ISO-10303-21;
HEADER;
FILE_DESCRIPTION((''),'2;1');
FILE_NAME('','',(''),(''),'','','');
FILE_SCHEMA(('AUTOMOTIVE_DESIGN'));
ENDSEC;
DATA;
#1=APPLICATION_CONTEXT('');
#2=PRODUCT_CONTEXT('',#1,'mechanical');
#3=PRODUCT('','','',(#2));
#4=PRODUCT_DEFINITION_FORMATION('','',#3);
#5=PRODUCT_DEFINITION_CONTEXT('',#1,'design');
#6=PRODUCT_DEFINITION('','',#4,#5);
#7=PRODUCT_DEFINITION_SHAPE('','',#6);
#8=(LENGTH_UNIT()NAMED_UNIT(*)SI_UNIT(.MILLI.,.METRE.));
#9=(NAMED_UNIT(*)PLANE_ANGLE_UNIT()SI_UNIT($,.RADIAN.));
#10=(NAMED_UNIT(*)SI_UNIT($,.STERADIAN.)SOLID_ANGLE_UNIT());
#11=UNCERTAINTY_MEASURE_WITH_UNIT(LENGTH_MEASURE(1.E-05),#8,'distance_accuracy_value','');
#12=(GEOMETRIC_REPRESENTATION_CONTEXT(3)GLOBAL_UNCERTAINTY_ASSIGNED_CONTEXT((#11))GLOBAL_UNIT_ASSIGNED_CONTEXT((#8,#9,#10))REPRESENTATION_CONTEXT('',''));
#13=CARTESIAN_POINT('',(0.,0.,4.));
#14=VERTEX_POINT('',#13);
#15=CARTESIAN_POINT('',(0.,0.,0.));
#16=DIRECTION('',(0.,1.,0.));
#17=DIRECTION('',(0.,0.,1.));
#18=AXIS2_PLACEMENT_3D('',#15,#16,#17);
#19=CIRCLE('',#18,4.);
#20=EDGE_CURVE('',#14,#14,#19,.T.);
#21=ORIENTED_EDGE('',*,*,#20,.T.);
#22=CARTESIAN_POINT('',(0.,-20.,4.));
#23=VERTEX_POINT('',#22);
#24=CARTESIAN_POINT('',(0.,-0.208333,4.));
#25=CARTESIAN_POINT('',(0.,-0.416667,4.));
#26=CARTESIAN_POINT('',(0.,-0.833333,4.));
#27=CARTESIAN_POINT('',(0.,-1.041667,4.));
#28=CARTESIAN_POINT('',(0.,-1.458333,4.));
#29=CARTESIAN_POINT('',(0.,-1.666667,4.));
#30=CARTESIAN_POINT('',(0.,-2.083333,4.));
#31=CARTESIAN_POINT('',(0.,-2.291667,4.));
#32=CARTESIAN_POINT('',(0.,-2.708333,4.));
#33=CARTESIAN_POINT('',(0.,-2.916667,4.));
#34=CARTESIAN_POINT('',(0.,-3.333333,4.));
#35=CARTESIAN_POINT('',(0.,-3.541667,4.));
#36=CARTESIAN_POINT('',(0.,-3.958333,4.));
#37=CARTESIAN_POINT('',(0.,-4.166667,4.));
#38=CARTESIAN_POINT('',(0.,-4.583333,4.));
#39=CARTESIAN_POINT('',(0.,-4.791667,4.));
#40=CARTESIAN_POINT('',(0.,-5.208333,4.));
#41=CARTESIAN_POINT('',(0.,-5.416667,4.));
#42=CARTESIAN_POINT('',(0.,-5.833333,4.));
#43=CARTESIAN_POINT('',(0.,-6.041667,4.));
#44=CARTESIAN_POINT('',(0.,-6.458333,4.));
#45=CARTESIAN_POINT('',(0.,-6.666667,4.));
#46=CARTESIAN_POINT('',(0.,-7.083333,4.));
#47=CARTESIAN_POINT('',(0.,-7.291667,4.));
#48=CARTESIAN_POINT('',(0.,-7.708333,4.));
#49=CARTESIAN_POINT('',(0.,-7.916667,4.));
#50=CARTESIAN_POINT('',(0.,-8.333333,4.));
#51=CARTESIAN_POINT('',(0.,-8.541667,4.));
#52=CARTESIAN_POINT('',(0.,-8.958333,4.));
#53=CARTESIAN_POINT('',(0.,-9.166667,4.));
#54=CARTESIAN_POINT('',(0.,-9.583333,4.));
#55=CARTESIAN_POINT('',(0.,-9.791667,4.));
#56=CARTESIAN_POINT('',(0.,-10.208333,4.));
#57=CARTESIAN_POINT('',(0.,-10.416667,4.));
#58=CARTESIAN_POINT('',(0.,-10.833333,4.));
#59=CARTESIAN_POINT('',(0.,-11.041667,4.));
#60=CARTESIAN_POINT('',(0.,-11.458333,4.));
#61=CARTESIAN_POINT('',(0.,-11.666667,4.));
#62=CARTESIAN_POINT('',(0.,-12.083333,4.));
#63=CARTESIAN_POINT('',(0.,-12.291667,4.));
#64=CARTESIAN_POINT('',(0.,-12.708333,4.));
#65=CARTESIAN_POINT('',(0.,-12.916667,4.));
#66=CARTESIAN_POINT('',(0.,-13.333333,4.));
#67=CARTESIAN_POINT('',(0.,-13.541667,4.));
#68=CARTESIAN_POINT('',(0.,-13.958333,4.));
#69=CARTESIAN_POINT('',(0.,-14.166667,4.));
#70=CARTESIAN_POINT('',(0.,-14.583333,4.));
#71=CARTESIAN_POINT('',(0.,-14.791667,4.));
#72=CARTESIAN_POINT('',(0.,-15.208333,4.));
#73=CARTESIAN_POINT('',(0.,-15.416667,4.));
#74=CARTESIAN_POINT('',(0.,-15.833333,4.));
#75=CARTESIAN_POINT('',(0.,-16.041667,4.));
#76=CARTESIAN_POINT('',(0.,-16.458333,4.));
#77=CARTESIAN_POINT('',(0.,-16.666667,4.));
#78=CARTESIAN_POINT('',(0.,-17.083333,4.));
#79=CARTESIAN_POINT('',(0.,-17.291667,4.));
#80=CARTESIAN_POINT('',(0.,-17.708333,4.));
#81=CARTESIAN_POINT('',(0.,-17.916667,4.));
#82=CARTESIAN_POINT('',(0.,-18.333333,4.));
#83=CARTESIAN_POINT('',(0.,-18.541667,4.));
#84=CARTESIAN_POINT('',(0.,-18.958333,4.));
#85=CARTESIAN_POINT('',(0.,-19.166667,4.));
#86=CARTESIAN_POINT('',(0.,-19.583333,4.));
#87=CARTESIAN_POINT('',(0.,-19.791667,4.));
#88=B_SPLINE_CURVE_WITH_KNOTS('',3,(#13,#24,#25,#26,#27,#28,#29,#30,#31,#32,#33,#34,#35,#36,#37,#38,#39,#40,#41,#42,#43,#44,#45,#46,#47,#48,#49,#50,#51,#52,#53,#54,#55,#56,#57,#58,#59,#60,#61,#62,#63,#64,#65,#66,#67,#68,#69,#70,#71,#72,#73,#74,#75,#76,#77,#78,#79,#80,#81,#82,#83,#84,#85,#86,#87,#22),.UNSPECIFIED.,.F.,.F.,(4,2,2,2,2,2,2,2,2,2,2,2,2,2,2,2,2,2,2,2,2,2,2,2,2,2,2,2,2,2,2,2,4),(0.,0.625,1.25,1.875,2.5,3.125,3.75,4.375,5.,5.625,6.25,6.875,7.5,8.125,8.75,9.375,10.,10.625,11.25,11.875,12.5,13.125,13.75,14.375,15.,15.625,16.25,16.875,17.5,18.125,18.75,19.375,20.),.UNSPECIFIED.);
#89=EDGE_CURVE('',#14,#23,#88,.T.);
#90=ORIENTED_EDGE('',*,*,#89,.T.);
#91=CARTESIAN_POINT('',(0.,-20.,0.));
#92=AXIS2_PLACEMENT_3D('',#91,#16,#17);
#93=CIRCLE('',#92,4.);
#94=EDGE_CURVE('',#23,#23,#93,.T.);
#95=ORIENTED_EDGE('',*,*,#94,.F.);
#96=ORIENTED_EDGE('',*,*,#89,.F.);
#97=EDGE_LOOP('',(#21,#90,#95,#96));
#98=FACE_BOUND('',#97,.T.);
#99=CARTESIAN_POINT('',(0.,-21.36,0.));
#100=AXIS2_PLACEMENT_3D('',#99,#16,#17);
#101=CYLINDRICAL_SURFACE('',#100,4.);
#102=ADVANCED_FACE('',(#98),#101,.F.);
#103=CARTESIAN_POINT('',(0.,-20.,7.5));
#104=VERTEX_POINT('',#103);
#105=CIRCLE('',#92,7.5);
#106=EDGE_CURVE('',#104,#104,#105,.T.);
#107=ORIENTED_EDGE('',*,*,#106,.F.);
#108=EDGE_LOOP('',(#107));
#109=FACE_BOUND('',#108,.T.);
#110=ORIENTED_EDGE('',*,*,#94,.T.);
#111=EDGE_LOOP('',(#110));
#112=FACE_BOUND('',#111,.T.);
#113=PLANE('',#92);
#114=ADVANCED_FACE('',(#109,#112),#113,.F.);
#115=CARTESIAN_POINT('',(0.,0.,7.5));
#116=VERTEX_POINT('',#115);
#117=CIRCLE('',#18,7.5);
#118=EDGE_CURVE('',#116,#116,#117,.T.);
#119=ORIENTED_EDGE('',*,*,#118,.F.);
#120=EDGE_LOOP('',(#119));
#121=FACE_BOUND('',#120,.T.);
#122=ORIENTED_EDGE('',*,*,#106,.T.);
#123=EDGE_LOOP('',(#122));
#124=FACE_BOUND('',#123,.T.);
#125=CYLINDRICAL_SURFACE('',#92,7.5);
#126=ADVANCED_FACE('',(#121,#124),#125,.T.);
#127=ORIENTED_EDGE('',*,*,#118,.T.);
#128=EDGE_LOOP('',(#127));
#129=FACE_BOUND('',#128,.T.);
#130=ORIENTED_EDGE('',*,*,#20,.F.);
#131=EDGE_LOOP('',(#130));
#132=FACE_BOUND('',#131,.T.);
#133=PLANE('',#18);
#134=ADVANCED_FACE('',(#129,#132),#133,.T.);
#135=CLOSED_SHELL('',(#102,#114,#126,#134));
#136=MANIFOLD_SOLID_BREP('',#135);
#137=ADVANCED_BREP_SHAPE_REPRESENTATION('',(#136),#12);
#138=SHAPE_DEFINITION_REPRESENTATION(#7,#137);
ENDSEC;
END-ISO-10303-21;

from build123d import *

# Parameters (mm, degrees)
SKETCH_1_R          = 7.5
EXTRUDE_1_DEPTH     = 20
SKETCH_3_R          = 4
CUT_EXTRUDE_1_DEPTH = 21.36


with BuildPart() as part:
    # 스케치1 → 보스-돌출1 (new body)
    with BuildSketch(Plane(origin=(0, 0, 0), x_dir=(1, 0, 0), z_dir=(0, 1, 0))):
        with Locations(Location((0, 0, 0), (0, 0, 270))):
            Circle(SKETCH_1_R)
    extrude(amount=-EXTRUDE_1_DEPTH)

    # 스케치3 → 컷-돌출1 (cut)
    with BuildSketch(Plane(origin=(0, 0, 0), x_dir=(1, 0, 0), z_dir=(0, 1, 0))):
        with Locations(Location((0, 0, 0), (0, 0, 270))):
            Circle(SKETCH_3_R)
    extrude(amount=-CUT_EXTRUDE_1_DEPTH, mode=Mode.SUBTRACT)


solid = part.part
